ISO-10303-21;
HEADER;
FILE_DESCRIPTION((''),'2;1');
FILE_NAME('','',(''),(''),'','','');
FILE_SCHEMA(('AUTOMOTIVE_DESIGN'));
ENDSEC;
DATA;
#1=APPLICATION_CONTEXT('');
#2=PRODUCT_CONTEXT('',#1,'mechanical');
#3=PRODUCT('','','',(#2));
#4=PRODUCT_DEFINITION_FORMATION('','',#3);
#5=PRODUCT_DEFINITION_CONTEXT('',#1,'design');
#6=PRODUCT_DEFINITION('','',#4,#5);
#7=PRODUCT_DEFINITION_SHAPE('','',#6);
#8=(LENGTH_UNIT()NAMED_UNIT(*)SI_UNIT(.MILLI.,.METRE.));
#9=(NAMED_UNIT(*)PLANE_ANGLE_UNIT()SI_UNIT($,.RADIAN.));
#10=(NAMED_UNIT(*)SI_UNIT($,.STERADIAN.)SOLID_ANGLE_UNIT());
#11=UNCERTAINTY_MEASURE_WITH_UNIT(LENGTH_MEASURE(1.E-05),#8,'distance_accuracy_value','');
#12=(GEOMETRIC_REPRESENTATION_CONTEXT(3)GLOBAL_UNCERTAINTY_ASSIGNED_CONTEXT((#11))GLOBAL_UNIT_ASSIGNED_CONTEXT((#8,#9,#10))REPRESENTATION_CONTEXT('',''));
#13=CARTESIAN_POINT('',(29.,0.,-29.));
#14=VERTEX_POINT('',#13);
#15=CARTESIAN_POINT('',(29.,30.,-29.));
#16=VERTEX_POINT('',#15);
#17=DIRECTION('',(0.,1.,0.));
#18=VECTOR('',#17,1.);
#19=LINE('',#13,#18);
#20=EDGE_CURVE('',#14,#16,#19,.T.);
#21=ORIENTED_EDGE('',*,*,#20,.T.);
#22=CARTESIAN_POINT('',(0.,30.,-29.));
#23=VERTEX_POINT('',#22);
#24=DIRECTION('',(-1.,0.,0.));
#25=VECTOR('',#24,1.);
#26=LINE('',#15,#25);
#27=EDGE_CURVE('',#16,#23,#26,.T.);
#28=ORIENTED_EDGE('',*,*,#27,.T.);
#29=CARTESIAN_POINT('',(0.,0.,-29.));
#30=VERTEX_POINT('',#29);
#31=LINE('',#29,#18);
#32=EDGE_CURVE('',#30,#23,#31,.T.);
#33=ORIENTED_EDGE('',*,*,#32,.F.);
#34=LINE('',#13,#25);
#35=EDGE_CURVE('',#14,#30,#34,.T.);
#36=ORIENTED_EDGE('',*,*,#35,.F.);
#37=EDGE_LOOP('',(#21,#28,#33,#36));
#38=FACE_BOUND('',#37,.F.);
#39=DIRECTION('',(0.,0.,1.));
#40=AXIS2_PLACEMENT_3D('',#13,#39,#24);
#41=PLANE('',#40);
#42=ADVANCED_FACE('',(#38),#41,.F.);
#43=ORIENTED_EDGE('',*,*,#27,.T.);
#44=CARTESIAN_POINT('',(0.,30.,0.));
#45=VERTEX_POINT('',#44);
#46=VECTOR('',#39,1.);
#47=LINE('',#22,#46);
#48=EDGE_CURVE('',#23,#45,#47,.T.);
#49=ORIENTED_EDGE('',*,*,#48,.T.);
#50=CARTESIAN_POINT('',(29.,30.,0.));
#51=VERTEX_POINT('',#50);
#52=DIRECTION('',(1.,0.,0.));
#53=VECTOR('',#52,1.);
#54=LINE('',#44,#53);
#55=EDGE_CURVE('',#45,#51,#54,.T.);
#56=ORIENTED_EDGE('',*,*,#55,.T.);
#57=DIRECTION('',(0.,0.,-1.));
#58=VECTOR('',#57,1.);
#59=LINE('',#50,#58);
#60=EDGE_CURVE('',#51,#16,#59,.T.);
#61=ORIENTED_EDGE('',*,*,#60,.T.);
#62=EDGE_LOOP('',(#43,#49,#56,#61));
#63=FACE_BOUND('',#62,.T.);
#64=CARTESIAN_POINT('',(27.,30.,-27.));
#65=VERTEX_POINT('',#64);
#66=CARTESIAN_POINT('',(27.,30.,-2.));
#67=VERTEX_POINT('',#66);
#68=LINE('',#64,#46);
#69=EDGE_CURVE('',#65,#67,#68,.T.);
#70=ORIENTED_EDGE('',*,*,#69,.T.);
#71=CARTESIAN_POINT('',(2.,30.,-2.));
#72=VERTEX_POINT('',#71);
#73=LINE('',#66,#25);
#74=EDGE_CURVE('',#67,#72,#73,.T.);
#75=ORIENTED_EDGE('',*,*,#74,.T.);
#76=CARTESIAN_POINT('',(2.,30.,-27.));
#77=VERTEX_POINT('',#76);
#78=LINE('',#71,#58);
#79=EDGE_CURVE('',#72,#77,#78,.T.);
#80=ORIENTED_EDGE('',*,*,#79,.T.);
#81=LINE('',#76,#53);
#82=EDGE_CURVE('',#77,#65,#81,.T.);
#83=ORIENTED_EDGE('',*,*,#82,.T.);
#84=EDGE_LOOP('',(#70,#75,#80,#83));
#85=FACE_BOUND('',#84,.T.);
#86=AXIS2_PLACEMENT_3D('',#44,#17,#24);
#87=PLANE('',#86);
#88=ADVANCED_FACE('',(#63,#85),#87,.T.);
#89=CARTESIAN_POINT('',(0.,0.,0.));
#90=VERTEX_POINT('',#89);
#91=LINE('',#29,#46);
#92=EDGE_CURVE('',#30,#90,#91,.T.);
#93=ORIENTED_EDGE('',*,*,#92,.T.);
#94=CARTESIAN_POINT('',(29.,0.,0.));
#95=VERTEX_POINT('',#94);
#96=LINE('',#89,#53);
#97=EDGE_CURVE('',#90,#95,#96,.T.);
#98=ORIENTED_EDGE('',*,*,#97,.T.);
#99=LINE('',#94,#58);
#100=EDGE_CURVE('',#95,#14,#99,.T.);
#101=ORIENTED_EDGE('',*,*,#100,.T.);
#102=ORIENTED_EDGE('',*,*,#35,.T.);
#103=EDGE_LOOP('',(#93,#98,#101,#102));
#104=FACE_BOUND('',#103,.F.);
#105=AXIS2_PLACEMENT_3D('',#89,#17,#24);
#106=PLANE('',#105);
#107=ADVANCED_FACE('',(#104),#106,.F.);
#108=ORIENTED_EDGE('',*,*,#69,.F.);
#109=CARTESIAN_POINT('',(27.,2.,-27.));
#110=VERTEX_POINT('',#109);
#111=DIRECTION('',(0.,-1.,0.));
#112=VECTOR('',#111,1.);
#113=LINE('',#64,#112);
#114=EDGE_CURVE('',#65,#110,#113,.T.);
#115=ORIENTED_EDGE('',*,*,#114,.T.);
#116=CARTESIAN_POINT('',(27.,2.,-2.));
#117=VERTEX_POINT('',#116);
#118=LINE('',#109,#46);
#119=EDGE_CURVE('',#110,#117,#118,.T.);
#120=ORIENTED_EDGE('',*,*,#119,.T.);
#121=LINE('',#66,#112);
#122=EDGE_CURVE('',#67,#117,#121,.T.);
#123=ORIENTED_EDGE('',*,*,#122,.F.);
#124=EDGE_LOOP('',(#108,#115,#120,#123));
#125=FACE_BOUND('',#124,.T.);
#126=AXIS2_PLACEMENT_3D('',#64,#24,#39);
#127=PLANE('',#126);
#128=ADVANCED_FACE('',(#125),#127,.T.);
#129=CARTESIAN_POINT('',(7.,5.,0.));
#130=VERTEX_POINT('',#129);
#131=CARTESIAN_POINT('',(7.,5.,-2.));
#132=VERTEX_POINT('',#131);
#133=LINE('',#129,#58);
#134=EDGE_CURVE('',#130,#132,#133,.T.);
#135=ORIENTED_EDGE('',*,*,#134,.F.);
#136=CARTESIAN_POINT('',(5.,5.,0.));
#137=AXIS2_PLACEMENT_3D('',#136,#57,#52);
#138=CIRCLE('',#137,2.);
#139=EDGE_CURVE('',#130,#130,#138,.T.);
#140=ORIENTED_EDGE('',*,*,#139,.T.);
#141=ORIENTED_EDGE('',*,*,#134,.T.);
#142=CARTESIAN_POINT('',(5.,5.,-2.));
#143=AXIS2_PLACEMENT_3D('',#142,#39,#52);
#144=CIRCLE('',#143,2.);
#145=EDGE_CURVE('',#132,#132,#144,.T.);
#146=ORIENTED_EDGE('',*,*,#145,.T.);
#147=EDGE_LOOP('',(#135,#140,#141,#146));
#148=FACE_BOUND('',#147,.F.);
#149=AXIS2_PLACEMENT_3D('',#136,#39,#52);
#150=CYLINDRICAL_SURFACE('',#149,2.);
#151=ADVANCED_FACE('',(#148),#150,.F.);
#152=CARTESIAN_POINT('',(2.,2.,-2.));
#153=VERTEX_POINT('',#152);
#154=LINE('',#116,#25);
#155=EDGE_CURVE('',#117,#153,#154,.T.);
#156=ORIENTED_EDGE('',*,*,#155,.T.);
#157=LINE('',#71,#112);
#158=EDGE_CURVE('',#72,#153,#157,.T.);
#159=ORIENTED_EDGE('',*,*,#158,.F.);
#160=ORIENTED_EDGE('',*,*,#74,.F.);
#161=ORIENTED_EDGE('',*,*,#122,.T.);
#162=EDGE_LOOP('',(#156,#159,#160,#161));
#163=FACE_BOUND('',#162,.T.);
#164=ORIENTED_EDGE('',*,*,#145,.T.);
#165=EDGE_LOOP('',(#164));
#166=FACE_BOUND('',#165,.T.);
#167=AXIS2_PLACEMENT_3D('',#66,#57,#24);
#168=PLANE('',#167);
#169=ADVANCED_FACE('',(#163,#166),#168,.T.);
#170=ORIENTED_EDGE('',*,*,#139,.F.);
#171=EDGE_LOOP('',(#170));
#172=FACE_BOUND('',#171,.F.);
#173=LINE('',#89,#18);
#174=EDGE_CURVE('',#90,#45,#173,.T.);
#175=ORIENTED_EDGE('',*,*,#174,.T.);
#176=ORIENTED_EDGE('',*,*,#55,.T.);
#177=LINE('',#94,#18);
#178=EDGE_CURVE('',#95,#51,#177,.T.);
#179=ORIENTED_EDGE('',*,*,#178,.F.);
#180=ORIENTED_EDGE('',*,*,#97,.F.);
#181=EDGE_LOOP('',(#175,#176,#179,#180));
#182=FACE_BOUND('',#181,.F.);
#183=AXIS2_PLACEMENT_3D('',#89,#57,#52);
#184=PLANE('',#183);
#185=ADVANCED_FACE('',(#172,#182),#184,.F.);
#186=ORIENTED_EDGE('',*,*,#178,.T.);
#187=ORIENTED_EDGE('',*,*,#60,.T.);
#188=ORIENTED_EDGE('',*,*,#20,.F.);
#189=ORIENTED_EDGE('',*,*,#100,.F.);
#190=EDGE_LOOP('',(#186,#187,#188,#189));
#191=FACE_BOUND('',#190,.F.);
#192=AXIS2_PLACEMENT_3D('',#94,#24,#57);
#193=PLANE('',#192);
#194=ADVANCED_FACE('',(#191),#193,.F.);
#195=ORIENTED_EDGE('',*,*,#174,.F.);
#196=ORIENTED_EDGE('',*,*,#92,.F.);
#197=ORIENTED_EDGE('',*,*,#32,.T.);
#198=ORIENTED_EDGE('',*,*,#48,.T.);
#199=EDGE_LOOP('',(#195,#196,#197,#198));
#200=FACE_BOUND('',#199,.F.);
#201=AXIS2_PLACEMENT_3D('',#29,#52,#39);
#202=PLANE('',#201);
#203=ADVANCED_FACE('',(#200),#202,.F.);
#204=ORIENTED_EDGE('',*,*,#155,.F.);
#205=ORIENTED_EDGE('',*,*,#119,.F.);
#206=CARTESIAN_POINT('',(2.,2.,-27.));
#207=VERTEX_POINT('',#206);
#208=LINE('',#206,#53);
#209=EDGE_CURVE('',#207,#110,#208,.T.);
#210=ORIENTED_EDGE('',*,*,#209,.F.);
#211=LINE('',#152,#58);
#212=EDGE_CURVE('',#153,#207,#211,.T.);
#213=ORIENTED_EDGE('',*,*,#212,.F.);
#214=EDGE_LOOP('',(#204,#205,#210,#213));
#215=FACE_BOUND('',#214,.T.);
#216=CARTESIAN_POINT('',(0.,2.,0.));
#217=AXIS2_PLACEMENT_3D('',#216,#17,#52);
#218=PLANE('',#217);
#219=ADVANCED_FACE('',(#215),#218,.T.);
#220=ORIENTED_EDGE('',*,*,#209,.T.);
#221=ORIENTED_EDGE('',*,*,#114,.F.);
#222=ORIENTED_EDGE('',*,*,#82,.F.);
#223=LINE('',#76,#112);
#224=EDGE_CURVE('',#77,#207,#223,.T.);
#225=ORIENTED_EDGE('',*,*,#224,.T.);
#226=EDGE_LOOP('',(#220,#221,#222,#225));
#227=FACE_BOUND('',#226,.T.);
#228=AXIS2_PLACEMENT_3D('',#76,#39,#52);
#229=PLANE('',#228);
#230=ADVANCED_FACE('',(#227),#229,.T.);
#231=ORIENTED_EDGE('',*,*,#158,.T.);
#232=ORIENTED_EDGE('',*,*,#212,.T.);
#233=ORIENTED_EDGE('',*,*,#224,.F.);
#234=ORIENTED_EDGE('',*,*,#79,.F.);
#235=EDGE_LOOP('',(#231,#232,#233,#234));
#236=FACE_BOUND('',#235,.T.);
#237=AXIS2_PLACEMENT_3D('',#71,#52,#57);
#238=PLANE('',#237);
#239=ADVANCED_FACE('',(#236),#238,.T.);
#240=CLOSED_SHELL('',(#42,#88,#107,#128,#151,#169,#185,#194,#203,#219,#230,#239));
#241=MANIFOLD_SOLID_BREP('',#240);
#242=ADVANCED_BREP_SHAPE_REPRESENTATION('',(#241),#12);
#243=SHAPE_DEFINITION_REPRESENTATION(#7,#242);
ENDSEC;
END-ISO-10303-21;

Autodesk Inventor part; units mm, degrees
ref_plane "YZ Plane" through (0, 0, 0) normal (1, 0, 0) x (0, 1, 0)
ref_plane "XZ Plane" through (0, 0, 0) normal (0, 1, 0) x (-1, 0, 0)
ref_plane "XY Plane" through (0, 0, 0) normal (0, 0, 1) x (1, 0, 0)
sketch "Sketch7" plane through (0, 0, 0) normal (0, 1, 0) x (-1, 0, 0)
  point P0 (0, 0)
sketch "Sketch8" plane through (0, 0, 0) normal (0, 1, 0) x (-1, 0, 0)
  line L0 (0, 0) -> (-29, 0)
  line L1 (-29, 0) -> (-29, -29)
  line L2 (-29, -29) -> (0, -29)
  line L3 (0, -29) -> (0, 0)
  line L4 (-2, -27) -> (-27, -27)
  line L5 (-27, -27) -> (-27, -2)
  line L6 (-27, -2) -> (-2, -2)
  line L7 (-2, -2) -> (-2, -27)
  dimension "d25" = 29
  dimension "d26" = 29
  dimension "d38" = 2
extrude "Extrusion5" add sketch "Sketch8" along normal blind 30 contours L3 L2 L1 L0 | L4 L5 L6 L7
sketch "Sketch11" plane through (0, 30, 0) normal (0, 1, 0) x (1, 0, 0)
  line L0 (0, 0) -> (29, 0) projected
  line L1 (29, 0) -> (29, 29) projected
  line L2 (29, 29) -> (0, 29) projected
  line L3 (0, 29) -> (0, 0) projected
  line L4 (2, 27) -> (27, 27)
  line L5 (27, 27) -> (27, 2)
  line L6 (27, 2) -> (2, 2)
  line L7 (2, 2) -> (2, 27)
  dimension "d39" = 2
extrude "Extrusion8" cut sketch "Sketch11" against normal blind 28 contours L4 L5 L6 L7
sketch "Sketch12" plane through (0, 0, 0) normal (0, 0, 1) x (1, 0, 0)
  line L0 (2, 30) -> (27, 30) projected
  line L1 (2, 30) -> (2, 2) projected
  line L2 (27, 30) -> (27, 2) projected
  line L3 (2, 2) -> (5, 2)
  line L4 (5, 2) -> (5, 5)
  line L5 (5, 5) -> (2, 5)
  line L6 (2, 5) -> (2, 2)
  circle A0 centre (5, 5) radius 2
  line L7 (2, 2) -> (27, 2) projected
  point P0 (0, 0)
  dimension "d42" = 3
  dimension "d43" = 3
  dimension "d44" = 4
extrude "Extrusion9" cut sketch "Sketch12" against normal blind 2 contours A0 L4 L5 | L5 L4 A0
equation "\"BendRadius\" = Thickness"
equation "\"BendReliefWidth\" = Thickness"
equation "\"BendReliefDepth\" = 0.5 * Thickness"
equation "\"CornerReliefSize\" = 4 * Thickness"
equation "\"MinimumRemnant\" = 2 * Thickness"
equation "\"TransitionRadius\" = BendRadius"
equation "\"JacobiRadiusSize\" = Thickness"
equation "\"GapSize\" = Thickness"
equation "\"Thickness\" = 0.5"
properties part number "waterBallonHolderv2"
